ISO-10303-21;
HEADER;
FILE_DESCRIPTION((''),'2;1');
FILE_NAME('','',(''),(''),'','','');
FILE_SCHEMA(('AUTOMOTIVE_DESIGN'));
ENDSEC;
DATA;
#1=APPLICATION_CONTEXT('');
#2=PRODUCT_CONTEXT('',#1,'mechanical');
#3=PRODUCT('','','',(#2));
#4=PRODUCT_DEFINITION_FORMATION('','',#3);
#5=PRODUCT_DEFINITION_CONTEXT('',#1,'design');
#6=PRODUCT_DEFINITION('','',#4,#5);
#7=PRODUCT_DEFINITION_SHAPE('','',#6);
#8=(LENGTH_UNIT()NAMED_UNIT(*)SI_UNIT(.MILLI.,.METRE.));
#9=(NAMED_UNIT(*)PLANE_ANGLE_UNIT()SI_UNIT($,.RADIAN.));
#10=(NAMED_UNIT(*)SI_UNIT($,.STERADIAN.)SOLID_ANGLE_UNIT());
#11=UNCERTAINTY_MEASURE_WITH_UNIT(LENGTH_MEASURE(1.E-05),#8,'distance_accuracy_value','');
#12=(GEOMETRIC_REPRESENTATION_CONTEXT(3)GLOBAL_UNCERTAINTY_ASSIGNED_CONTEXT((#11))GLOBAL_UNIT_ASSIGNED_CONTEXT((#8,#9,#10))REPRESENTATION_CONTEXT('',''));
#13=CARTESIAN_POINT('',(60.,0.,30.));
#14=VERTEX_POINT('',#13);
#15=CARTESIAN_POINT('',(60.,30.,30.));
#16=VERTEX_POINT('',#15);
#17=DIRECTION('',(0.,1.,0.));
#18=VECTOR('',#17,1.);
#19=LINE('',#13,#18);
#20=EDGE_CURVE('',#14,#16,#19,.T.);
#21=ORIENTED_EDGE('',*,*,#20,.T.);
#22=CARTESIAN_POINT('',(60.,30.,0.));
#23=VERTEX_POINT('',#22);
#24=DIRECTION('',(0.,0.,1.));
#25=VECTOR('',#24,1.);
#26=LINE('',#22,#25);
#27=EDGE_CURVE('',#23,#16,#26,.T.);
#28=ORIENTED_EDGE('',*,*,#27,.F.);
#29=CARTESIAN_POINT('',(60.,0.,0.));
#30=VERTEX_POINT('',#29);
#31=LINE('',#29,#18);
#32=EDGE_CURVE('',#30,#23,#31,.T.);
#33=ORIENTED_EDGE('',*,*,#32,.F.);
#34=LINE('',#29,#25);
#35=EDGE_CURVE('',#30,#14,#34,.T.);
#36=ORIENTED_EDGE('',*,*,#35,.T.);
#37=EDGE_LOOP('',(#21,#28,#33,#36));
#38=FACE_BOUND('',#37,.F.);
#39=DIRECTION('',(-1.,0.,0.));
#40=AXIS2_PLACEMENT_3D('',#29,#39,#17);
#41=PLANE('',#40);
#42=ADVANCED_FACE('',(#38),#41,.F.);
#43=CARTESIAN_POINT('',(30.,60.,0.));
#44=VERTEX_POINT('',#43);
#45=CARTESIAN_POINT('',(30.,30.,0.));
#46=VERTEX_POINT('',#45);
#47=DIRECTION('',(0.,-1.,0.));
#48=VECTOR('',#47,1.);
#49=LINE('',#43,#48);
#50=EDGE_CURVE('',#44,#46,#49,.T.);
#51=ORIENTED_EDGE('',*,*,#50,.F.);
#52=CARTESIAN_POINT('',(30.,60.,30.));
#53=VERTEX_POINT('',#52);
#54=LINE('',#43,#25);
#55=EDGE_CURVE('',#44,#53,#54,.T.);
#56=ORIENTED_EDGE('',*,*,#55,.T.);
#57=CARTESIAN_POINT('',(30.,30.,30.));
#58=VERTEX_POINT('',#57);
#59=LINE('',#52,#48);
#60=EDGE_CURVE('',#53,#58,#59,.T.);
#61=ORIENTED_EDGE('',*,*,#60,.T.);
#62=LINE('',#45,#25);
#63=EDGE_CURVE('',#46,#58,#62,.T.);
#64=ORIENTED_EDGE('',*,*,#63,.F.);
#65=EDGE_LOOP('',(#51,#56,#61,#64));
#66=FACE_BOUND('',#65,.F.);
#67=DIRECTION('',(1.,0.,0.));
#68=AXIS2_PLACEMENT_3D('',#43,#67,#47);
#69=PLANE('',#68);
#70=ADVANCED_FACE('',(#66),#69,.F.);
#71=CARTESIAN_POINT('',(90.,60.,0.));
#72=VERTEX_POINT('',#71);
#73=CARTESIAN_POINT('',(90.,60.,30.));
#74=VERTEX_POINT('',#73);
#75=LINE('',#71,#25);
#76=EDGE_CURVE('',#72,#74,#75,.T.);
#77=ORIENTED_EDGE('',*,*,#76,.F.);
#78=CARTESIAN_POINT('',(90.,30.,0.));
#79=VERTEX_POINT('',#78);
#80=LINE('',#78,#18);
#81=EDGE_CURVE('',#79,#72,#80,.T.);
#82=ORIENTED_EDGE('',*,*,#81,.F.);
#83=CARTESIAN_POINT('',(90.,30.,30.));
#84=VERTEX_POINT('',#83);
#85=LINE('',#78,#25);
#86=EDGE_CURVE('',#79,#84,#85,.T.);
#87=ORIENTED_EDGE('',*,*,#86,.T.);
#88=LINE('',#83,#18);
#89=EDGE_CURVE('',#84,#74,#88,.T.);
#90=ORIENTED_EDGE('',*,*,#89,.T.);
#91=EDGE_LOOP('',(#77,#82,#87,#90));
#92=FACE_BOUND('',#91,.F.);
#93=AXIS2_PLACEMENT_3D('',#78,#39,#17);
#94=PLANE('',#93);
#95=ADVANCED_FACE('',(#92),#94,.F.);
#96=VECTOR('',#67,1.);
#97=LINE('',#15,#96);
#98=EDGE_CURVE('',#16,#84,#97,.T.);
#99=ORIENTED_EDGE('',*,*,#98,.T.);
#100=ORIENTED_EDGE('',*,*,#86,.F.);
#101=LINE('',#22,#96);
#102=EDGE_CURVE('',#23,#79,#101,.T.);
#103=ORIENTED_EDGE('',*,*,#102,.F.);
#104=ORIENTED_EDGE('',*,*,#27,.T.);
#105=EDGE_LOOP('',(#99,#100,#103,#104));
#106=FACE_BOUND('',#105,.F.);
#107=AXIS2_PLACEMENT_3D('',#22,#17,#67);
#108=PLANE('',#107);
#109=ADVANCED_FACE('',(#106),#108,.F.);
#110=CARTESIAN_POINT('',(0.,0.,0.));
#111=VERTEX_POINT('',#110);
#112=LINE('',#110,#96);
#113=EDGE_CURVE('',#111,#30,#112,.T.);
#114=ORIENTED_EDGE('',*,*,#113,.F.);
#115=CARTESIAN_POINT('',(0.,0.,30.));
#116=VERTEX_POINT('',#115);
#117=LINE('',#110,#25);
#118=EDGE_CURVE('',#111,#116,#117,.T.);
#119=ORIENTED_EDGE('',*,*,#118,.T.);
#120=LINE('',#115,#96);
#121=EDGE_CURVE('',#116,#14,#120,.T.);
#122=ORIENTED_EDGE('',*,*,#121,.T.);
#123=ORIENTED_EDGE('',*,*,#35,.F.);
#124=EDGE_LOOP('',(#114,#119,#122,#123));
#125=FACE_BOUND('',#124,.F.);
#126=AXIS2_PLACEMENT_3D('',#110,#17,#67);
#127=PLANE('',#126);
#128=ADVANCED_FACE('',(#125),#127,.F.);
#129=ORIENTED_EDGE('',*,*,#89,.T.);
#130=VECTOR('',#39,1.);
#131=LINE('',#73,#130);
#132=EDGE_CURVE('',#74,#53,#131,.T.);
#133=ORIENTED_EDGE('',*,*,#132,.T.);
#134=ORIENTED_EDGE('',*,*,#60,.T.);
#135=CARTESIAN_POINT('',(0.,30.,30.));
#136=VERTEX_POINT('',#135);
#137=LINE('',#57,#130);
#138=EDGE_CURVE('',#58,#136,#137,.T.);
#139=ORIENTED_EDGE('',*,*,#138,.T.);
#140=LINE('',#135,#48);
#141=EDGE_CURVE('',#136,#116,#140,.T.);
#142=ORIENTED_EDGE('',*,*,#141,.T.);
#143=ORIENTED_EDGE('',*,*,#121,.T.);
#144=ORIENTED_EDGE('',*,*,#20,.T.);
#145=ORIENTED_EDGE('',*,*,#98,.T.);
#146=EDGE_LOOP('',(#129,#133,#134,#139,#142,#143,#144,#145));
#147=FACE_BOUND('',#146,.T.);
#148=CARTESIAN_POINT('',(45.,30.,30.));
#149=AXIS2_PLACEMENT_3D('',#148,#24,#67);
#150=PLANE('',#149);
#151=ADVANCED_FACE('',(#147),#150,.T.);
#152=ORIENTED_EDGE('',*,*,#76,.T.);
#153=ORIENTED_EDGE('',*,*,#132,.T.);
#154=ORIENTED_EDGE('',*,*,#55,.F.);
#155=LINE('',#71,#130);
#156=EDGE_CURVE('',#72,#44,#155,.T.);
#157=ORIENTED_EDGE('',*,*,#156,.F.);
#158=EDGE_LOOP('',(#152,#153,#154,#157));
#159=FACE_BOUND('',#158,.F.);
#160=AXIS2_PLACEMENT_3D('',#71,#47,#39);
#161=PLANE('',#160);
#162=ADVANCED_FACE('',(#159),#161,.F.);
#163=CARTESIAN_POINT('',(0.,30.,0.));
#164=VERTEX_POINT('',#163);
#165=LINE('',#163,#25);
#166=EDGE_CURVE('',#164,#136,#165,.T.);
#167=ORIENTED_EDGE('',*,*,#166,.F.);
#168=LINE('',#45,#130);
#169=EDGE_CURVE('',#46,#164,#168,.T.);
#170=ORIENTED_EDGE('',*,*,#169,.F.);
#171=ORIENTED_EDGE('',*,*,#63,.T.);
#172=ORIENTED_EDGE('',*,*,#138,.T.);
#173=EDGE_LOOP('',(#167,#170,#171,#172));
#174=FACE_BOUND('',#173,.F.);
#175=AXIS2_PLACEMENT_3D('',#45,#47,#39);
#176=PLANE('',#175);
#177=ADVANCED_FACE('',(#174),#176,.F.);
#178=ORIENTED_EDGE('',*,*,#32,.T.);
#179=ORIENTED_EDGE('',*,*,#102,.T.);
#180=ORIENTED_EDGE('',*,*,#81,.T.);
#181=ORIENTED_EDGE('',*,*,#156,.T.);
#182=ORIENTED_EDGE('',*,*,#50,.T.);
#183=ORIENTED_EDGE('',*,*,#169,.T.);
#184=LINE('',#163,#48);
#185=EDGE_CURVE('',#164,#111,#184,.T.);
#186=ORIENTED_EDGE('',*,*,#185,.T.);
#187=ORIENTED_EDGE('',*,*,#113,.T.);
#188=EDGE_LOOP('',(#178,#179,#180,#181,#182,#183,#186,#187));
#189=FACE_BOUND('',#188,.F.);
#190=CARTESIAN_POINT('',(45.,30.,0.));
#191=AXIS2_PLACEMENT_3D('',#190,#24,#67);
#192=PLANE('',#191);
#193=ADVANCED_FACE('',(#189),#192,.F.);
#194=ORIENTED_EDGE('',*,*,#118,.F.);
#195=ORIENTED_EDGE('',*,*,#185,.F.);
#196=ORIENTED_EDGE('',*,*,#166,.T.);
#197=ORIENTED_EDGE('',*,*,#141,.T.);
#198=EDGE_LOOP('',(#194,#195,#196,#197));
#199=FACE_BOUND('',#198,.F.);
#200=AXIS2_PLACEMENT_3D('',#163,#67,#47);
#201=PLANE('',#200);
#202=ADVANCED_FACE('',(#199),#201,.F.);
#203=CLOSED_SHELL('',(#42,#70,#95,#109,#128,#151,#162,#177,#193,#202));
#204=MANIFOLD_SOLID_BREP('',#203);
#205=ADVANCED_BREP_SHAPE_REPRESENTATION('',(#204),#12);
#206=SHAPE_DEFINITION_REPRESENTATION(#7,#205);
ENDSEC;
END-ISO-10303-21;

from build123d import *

# Parameters (mm, degrees)
BOSS_EXTRUDE1_DEPTH = 30


with BuildPart() as part:
    # Sketch1 → Boss-Extrude1 (new body)
    with BuildSketch(Plane.XY):
        Polygon((0, 0), (60, 0), (60, 30), (90, 30), (90, 60), (30, 60), (30, 30), (0, 30), align=None)
    extrude(amount=BOSS_EXTRUDE1_DEPTH)


solid = part.part
